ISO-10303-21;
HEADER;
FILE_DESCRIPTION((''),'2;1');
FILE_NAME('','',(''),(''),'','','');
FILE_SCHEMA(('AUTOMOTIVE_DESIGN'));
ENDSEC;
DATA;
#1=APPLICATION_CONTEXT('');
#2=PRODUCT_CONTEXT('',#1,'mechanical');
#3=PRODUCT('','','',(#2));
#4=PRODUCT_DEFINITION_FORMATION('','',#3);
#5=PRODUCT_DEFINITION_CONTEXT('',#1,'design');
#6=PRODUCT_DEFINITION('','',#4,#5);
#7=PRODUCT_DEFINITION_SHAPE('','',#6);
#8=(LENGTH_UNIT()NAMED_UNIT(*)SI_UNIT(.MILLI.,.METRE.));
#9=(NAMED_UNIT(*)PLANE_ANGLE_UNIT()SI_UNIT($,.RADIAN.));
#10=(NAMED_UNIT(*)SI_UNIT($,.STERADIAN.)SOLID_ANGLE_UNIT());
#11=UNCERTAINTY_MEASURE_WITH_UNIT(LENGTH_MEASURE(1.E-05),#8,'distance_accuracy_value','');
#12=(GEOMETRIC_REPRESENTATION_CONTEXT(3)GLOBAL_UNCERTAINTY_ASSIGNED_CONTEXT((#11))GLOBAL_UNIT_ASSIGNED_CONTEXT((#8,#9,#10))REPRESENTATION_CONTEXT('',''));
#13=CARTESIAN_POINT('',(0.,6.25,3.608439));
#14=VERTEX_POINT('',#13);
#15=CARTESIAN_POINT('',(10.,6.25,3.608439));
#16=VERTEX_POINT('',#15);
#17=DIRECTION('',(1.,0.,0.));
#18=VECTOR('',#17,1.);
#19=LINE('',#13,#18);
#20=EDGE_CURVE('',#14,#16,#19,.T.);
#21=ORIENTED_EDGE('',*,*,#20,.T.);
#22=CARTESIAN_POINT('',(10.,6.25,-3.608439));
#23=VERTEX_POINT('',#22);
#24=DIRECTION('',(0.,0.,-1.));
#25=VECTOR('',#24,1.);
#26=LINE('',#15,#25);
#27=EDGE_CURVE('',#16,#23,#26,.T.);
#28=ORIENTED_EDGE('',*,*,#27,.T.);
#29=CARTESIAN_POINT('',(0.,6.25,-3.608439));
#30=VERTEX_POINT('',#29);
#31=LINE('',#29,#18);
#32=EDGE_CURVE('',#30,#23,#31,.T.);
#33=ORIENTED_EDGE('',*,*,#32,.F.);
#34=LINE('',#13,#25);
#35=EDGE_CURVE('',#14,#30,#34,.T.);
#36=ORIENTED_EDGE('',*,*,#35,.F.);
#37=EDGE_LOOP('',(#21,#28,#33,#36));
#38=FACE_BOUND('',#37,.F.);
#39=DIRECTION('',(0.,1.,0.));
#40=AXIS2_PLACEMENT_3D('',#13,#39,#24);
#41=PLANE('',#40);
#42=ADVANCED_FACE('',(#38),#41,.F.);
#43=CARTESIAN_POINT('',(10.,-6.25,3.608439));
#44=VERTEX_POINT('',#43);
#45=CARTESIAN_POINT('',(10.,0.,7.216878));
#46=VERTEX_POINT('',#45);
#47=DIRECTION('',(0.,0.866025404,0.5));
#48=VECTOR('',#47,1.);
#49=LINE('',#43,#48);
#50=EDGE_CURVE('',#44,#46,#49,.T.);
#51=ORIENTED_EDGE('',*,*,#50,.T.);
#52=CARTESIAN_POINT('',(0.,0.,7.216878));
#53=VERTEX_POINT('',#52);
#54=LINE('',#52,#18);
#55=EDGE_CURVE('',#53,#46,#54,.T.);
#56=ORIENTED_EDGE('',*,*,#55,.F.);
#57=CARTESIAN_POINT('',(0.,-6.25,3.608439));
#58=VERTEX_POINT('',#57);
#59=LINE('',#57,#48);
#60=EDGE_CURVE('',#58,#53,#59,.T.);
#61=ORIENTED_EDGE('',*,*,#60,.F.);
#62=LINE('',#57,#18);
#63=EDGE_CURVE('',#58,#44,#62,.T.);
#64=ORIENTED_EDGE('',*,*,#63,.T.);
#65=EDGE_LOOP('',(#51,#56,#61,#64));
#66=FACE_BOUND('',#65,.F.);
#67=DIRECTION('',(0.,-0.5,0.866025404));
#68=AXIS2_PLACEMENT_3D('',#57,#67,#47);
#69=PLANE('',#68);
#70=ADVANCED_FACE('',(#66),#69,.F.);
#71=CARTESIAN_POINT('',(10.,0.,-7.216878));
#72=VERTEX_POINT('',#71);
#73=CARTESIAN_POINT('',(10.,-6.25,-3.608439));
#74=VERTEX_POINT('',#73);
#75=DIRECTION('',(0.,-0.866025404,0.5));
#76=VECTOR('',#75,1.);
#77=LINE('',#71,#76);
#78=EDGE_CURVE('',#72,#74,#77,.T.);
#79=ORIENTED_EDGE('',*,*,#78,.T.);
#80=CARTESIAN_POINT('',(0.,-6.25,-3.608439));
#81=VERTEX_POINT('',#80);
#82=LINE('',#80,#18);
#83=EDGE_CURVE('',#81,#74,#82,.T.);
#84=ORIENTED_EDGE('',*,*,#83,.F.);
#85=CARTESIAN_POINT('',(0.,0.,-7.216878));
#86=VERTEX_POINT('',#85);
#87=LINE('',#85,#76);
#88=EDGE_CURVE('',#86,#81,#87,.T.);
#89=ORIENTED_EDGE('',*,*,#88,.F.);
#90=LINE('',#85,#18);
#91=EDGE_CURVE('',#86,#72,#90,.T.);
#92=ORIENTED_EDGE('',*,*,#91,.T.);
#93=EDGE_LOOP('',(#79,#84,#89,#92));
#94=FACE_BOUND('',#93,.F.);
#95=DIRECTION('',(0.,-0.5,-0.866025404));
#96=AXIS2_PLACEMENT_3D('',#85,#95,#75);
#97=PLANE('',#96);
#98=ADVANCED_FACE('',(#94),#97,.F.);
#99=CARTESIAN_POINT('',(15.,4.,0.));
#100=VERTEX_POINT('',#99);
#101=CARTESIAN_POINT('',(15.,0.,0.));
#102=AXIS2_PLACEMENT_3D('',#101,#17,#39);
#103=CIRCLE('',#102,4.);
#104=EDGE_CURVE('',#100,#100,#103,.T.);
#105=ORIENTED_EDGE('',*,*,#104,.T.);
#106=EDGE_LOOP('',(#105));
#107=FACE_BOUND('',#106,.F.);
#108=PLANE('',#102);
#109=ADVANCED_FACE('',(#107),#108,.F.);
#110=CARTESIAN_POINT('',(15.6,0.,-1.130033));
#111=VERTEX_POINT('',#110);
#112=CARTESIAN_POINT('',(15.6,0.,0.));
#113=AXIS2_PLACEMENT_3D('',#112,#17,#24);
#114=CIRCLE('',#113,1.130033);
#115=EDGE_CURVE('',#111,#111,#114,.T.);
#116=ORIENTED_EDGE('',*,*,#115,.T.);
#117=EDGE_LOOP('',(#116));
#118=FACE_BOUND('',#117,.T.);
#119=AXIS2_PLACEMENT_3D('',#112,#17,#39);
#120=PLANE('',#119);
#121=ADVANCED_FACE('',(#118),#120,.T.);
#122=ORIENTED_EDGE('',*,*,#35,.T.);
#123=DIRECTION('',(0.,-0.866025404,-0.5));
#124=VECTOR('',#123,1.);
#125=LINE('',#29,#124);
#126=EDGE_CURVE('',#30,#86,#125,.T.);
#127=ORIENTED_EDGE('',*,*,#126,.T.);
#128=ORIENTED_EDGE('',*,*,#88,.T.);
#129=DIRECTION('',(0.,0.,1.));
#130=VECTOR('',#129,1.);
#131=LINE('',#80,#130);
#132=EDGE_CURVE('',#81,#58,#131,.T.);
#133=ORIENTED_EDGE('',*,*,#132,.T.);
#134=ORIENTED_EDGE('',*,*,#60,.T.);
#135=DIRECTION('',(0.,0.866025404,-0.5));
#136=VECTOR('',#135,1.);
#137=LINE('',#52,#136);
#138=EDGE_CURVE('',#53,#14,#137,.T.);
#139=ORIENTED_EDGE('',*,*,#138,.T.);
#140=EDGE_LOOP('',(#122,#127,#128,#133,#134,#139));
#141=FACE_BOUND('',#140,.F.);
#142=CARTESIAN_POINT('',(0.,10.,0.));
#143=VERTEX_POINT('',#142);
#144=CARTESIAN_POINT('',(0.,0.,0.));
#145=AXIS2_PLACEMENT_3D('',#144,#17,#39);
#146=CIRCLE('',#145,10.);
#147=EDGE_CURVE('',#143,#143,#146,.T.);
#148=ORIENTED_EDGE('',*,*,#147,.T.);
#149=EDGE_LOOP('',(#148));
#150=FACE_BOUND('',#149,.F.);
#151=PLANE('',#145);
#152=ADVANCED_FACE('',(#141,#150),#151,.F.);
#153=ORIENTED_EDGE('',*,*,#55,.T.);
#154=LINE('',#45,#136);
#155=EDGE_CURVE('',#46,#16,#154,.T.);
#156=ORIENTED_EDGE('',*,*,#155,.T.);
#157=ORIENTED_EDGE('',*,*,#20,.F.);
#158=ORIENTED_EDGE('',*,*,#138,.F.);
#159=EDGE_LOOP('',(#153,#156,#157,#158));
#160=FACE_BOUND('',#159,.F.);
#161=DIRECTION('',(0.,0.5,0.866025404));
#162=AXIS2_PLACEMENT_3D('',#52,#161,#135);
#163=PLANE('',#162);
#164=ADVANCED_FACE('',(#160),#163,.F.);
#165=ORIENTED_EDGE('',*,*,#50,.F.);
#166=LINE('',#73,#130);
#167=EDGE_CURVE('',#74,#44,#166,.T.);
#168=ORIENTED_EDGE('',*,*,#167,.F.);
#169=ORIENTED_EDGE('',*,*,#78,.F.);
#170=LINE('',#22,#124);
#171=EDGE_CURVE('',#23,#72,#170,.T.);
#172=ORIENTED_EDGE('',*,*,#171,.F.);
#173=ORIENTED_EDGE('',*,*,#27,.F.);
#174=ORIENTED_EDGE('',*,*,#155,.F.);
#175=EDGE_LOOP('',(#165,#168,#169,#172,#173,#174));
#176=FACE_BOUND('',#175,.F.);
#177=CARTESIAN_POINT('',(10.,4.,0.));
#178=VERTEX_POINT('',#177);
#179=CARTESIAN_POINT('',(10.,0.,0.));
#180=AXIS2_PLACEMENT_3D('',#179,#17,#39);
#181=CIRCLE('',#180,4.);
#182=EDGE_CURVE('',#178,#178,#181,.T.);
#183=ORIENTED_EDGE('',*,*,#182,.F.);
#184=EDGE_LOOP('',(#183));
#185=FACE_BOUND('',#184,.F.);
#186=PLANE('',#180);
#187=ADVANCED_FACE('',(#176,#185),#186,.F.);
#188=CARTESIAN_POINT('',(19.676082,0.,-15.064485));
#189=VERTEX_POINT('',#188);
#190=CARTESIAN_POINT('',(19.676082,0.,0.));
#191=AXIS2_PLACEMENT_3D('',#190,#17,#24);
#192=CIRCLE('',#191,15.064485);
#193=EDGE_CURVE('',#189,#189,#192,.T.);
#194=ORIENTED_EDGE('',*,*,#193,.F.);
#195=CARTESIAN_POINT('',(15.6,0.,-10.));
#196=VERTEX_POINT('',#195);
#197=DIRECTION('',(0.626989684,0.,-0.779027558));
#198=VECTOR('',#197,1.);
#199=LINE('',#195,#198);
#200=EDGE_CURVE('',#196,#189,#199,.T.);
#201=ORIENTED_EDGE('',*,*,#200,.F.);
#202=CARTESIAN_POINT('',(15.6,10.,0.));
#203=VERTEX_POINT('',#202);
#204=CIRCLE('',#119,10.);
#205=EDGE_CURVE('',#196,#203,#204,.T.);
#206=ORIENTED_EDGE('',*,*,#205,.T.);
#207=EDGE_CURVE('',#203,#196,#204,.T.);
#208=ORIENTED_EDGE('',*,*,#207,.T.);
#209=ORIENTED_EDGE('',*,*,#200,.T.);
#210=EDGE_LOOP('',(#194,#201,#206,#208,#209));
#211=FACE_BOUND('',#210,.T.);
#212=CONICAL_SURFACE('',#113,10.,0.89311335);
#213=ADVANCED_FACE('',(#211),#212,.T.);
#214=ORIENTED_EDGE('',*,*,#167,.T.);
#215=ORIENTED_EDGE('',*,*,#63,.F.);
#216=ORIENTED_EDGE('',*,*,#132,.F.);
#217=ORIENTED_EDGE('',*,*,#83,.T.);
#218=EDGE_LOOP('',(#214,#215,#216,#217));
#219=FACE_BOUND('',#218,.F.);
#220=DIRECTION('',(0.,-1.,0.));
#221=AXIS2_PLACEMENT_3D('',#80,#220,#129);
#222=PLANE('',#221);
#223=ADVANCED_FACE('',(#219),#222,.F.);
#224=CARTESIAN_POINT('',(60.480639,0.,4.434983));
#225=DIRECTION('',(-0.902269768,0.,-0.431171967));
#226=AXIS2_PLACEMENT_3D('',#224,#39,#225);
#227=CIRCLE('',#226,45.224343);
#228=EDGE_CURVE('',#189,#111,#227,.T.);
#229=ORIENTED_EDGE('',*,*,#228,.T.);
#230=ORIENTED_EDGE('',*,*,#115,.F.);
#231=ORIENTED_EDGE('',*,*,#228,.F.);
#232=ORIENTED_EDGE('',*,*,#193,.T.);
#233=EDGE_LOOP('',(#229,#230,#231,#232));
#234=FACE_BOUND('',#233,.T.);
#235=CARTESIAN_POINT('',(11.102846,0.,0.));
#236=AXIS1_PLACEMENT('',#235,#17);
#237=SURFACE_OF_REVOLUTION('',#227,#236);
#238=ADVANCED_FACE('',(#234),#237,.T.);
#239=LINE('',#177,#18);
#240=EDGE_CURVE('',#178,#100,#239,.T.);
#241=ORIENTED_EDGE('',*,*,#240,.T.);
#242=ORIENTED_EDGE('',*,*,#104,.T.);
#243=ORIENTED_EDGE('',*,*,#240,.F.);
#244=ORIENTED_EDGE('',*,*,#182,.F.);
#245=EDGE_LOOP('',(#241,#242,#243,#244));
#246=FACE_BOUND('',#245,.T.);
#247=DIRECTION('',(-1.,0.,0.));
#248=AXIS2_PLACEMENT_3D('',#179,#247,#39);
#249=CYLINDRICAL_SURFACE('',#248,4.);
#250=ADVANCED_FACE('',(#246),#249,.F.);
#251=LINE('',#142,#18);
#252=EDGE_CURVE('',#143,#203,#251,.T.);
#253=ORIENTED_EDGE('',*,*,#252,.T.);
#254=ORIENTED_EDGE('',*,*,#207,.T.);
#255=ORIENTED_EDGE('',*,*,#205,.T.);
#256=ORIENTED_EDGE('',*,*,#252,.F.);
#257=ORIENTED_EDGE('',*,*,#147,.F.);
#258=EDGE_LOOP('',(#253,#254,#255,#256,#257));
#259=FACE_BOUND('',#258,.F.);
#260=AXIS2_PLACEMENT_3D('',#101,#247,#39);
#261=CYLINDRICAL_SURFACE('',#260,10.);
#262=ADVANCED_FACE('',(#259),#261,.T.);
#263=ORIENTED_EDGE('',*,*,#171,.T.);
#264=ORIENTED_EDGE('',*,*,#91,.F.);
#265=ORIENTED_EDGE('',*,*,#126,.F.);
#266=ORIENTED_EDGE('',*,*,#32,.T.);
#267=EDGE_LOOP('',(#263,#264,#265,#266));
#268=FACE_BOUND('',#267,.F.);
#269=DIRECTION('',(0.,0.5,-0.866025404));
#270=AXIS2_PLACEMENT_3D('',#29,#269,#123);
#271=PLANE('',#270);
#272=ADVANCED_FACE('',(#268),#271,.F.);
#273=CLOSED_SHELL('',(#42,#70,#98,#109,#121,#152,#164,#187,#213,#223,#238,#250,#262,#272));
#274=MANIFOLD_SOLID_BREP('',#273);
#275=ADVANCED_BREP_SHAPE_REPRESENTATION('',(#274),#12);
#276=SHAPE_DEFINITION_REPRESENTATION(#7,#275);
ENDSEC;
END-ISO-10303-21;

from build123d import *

# Parameters (mm, degrees)
F0_R     = 10
F1_DEPTH = 10
F2_R     = 10
F2_R_2   = 4
F3_DEPTH = 5
F4_R     = 10
F5_DEPTH = 0.6


with BuildPart() as f1:
    # F0 (on Right) → F1 (new body)
    with BuildSketch(Plane.YZ):
        Circle(F0_R)
        Polygon((0, 7.2168783649), (6.25, 3.6084391824), (6.25, -3.6084391824), (0, -7.2168783649), (-6.25, -3.6084391824), (-6.25, 3.6084391824), align=None, mode=Mode.SUBTRACT)
    extrude(amount=F1_DEPTH)

    # F2 (on face) → F3 (join)
    with BuildSketch(Plane.YZ.offset(10)):
        Circle(F2_R)
        Polygon((-6.25, 3.6084391824), (0, 7.2168783649), (6.25, 3.6084391824), (6.25, -3.6084391824), (0, -7.2168783649), (-6.25, -3.6084391824), align=None, mode=Mode.SUBTRACT)
        Polygon((6.25, 3.6084391824), (0, 7.2168783649), (-6.25, 3.6084391824), (-6.25, -3.6084391824), (0, -7.2168783649), (6.25, -3.6084391824), align=None)
        Circle(F2_R_2, mode=Mode.SUBTRACT)
    extrude(amount=F3_DEPTH)

    # F4 (on face) → F5 (join)
    with BuildSketch(Plane.YZ.offset(15)):
        Circle(F4_R)
    extrude(amount=F5_DEPTH)

    # F6 (on Front) → F7 (revolve)
    with BuildSketch(Plane.XZ):
        with BuildLine():
            ThreePointArc((19.6760818362, -15.0644853711), (17.075219414, -8.2618948834), (15.6, -1.1300332496))
            Line((15.6, -1.1300332496), (15.6, -10))
            Line((15.6, -10), (19.6760818362, -15.0644853711))
        make_face()
    revolve(axis=Axis((11.1028458923, 0, 0), (1, 0, 0)))


solid = f1.part
